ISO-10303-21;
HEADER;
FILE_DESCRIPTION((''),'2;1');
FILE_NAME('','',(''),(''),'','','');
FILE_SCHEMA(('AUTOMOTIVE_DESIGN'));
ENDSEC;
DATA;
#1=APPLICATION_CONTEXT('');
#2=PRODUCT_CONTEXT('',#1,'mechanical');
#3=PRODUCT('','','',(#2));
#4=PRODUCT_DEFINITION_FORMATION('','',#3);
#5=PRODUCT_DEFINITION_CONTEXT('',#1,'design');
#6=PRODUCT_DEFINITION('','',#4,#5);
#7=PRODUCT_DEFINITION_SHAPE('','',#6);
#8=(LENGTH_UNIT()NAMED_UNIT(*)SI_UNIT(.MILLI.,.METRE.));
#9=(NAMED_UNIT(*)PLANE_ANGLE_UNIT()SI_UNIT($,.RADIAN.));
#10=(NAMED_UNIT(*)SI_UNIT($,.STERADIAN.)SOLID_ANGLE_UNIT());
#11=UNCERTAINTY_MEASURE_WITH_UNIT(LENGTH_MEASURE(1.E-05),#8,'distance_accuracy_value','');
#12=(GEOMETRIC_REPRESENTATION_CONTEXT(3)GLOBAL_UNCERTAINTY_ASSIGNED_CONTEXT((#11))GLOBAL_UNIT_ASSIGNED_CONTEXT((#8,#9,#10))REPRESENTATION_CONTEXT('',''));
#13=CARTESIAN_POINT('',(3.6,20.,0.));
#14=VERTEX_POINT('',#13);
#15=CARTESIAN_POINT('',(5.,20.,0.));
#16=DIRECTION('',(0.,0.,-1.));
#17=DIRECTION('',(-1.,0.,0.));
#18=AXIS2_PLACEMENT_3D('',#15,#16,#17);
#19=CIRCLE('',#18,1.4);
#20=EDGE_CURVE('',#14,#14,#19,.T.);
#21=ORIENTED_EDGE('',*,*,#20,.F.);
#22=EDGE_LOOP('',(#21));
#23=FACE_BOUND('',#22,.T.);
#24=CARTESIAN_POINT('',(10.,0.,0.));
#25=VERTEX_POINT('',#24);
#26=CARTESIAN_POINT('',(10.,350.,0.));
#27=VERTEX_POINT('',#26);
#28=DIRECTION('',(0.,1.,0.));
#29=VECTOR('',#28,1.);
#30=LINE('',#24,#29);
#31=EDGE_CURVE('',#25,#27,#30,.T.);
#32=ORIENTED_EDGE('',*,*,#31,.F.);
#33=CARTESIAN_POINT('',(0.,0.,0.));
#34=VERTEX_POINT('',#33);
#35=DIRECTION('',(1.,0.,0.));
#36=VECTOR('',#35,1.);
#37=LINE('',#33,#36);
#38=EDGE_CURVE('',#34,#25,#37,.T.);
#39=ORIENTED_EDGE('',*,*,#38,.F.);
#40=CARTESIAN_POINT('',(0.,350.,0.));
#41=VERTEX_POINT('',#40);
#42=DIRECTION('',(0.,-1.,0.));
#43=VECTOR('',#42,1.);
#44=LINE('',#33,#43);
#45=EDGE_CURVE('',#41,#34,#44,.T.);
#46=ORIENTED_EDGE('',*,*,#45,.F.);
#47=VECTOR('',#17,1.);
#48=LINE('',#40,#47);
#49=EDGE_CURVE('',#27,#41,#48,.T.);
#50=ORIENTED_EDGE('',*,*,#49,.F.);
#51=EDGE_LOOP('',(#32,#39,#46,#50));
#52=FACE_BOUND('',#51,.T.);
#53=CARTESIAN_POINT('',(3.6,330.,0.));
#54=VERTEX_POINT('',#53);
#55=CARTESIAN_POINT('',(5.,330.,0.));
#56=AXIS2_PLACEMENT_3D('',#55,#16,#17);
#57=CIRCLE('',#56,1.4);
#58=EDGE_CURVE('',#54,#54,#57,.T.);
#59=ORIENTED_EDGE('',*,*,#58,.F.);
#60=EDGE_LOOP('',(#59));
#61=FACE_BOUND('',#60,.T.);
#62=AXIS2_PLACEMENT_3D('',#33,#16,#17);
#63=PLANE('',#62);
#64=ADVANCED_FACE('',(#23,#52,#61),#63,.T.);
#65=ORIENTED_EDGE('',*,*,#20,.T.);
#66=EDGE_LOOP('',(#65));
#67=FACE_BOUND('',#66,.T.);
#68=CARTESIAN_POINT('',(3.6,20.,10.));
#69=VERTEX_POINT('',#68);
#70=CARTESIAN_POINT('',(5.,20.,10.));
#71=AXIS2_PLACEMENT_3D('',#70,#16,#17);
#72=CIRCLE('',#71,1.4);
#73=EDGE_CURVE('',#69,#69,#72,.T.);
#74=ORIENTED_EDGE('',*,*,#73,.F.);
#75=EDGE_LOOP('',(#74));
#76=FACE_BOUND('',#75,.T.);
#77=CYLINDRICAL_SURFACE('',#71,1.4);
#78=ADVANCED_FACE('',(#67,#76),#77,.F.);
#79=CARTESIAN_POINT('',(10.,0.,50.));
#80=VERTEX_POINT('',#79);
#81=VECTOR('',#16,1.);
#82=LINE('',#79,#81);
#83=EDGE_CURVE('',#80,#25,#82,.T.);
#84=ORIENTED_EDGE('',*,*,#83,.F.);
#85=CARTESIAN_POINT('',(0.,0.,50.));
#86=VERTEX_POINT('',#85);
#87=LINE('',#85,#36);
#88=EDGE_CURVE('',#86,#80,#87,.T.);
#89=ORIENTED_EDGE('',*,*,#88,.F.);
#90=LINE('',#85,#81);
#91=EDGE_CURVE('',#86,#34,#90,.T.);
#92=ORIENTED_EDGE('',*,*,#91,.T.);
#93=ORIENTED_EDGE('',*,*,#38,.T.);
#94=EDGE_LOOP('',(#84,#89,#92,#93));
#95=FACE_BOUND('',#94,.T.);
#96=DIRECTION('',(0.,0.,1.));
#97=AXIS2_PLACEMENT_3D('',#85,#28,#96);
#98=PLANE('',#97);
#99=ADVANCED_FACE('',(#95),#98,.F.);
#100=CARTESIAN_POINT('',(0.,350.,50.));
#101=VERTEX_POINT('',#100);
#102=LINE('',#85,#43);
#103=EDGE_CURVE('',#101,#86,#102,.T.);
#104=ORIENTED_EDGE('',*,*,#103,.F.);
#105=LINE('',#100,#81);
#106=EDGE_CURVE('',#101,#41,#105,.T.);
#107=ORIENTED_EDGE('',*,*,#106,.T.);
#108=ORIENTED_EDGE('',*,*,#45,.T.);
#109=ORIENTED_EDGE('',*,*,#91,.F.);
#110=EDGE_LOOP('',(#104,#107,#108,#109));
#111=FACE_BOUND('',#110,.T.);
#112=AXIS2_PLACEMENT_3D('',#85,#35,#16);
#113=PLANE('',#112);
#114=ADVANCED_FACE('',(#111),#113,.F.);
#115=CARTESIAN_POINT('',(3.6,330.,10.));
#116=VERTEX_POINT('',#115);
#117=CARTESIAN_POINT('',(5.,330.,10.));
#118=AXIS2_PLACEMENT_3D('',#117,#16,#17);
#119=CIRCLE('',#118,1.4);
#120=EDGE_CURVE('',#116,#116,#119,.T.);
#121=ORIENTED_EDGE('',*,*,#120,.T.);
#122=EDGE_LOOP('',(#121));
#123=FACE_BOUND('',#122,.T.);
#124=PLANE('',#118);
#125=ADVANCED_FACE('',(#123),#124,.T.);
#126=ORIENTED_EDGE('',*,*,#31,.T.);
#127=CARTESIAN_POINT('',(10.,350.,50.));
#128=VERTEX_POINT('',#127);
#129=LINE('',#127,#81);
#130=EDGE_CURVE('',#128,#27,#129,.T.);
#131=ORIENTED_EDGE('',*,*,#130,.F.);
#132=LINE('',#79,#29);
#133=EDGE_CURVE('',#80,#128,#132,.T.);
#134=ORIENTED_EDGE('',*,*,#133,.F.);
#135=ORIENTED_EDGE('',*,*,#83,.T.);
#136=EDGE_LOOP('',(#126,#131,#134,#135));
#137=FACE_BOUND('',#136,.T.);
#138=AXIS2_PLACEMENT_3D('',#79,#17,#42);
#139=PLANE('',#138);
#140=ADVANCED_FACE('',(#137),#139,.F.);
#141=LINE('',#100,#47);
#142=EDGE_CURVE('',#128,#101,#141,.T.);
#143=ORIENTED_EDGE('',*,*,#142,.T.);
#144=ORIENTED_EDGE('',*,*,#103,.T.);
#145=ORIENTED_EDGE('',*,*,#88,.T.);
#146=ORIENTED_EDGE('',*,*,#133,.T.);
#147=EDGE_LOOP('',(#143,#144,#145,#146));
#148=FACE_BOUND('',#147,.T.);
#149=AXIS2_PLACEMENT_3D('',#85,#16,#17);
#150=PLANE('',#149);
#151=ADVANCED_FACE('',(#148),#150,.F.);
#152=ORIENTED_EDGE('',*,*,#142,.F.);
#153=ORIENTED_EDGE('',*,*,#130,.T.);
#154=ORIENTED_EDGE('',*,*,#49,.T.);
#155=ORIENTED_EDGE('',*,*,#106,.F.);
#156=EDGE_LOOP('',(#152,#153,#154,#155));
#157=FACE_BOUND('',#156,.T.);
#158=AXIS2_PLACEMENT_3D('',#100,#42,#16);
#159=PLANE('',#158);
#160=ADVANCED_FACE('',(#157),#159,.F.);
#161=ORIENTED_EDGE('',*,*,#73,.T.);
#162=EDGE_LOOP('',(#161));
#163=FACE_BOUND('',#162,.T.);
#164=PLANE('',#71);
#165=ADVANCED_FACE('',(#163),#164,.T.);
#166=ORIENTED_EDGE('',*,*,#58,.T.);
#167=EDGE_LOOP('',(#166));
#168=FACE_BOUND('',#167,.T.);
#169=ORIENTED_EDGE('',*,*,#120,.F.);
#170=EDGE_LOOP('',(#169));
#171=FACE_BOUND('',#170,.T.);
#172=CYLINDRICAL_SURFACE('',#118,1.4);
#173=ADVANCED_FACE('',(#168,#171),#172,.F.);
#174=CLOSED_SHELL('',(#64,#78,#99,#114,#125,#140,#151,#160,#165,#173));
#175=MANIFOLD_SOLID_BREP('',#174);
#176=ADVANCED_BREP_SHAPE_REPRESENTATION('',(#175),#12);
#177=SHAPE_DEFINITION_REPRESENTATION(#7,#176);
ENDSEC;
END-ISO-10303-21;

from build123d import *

# Parameters (mm, degrees)
SKETCH3_W           = 10
SKETCH3_H           = 350
BOSS_EXTRUDE2_DEPTH = 50
SKETCH4_R           = 1.4
CUT_EXTRUDE2_DEPTH  = 10


with BuildPart() as part:
    # Sketch3 → Boss-Extrude2 (new body)
    with BuildSketch(Plane.XY):
        with Locations((5, 175)):
            Rectangle(SKETCH3_W, SKETCH3_H)
    extrude(amount=BOSS_EXTRUDE2_DEPTH)

    # Sketch4 → Cut-Extrude2 (cut)
    with BuildSketch(Plane(origin=(0, 0, 0), x_dir=(-1, 0, 0), z_dir=(0, 0, -1))):
        with Locations((-5, 330)):
            Circle(SKETCH4_R)
        with Locations((-5, 20)):
            Circle(SKETCH4_R)
    extrude(amount=-CUT_EXTRUDE2_DEPTH, mode=Mode.SUBTRACT)


solid = part.part
